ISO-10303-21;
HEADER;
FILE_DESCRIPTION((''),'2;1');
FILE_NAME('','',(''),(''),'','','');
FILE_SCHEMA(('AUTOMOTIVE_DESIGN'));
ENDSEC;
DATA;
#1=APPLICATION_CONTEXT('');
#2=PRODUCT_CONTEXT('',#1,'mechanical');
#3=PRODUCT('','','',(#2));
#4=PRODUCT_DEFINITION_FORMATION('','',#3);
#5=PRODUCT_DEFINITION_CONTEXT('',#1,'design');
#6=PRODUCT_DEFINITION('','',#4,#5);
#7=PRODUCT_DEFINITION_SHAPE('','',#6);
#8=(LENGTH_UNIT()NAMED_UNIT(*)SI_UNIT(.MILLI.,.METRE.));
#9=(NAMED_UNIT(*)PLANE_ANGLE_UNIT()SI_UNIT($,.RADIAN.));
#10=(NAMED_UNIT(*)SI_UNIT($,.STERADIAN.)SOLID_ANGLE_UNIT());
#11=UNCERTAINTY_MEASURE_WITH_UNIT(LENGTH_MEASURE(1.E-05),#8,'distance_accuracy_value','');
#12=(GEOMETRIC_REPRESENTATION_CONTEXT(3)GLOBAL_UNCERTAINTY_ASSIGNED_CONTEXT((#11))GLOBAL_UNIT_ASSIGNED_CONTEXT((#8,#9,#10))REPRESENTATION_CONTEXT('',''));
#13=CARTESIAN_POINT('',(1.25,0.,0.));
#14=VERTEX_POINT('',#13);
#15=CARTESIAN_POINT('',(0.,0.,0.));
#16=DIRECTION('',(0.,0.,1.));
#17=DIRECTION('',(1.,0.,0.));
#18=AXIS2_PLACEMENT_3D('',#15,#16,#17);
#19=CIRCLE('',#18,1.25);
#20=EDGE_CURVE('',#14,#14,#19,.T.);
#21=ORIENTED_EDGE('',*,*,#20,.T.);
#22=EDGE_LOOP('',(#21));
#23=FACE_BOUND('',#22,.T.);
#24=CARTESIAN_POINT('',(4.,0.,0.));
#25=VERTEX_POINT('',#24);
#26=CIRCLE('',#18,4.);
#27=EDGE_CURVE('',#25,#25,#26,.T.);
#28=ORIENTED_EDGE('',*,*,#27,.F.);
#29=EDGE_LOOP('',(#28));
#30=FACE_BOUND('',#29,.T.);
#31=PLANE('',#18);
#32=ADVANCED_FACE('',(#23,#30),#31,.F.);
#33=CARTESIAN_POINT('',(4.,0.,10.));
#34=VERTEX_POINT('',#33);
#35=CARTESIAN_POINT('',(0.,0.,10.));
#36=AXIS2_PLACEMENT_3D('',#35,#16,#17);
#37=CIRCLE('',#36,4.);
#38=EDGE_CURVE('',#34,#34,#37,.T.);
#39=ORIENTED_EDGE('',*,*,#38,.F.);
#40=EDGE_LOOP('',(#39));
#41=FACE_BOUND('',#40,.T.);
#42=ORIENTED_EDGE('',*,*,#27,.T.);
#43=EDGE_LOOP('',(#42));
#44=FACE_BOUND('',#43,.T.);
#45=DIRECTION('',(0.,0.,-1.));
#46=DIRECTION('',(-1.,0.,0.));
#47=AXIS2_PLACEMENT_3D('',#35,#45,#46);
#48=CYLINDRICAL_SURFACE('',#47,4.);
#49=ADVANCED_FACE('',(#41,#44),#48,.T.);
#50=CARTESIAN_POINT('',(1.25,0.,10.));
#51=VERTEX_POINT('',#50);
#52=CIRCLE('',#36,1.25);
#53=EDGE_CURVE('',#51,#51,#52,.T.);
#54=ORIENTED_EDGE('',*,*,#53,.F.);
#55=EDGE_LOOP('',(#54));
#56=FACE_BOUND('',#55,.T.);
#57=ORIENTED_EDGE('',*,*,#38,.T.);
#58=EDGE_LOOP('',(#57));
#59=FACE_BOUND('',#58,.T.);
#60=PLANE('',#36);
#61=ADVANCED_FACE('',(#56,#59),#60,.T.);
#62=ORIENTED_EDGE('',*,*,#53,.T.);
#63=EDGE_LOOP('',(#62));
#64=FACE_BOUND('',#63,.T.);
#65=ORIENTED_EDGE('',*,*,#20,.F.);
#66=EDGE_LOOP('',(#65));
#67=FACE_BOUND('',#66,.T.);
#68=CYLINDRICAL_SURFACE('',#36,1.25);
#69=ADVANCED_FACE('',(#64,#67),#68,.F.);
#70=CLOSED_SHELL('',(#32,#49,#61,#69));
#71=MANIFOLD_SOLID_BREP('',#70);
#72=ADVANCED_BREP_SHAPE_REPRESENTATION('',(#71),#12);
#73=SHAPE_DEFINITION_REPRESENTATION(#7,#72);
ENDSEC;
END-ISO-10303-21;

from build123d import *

# Parameters (mm, degrees)
SKETCH_1_R      = 4
EXTRUDE_1_DEPTH = 10
M3X0_5_1_D      = 2.5


with BuildPart() as part:
    # 草图1 → 凸台-拉伸1 (new body)
    with BuildSketch(Plane.XY):
        Circle(SKETCH_1_R)
    extrude(amount=EXTRUDE_1_DEPTH)

    # M3x0.5 螺纹孔1 (through all)
    with Locations(Plane.XY.offset(10)):
        with Locations((0, 0)):
            Hole(M3X0_5_1_D / 2)


solid = part.part
